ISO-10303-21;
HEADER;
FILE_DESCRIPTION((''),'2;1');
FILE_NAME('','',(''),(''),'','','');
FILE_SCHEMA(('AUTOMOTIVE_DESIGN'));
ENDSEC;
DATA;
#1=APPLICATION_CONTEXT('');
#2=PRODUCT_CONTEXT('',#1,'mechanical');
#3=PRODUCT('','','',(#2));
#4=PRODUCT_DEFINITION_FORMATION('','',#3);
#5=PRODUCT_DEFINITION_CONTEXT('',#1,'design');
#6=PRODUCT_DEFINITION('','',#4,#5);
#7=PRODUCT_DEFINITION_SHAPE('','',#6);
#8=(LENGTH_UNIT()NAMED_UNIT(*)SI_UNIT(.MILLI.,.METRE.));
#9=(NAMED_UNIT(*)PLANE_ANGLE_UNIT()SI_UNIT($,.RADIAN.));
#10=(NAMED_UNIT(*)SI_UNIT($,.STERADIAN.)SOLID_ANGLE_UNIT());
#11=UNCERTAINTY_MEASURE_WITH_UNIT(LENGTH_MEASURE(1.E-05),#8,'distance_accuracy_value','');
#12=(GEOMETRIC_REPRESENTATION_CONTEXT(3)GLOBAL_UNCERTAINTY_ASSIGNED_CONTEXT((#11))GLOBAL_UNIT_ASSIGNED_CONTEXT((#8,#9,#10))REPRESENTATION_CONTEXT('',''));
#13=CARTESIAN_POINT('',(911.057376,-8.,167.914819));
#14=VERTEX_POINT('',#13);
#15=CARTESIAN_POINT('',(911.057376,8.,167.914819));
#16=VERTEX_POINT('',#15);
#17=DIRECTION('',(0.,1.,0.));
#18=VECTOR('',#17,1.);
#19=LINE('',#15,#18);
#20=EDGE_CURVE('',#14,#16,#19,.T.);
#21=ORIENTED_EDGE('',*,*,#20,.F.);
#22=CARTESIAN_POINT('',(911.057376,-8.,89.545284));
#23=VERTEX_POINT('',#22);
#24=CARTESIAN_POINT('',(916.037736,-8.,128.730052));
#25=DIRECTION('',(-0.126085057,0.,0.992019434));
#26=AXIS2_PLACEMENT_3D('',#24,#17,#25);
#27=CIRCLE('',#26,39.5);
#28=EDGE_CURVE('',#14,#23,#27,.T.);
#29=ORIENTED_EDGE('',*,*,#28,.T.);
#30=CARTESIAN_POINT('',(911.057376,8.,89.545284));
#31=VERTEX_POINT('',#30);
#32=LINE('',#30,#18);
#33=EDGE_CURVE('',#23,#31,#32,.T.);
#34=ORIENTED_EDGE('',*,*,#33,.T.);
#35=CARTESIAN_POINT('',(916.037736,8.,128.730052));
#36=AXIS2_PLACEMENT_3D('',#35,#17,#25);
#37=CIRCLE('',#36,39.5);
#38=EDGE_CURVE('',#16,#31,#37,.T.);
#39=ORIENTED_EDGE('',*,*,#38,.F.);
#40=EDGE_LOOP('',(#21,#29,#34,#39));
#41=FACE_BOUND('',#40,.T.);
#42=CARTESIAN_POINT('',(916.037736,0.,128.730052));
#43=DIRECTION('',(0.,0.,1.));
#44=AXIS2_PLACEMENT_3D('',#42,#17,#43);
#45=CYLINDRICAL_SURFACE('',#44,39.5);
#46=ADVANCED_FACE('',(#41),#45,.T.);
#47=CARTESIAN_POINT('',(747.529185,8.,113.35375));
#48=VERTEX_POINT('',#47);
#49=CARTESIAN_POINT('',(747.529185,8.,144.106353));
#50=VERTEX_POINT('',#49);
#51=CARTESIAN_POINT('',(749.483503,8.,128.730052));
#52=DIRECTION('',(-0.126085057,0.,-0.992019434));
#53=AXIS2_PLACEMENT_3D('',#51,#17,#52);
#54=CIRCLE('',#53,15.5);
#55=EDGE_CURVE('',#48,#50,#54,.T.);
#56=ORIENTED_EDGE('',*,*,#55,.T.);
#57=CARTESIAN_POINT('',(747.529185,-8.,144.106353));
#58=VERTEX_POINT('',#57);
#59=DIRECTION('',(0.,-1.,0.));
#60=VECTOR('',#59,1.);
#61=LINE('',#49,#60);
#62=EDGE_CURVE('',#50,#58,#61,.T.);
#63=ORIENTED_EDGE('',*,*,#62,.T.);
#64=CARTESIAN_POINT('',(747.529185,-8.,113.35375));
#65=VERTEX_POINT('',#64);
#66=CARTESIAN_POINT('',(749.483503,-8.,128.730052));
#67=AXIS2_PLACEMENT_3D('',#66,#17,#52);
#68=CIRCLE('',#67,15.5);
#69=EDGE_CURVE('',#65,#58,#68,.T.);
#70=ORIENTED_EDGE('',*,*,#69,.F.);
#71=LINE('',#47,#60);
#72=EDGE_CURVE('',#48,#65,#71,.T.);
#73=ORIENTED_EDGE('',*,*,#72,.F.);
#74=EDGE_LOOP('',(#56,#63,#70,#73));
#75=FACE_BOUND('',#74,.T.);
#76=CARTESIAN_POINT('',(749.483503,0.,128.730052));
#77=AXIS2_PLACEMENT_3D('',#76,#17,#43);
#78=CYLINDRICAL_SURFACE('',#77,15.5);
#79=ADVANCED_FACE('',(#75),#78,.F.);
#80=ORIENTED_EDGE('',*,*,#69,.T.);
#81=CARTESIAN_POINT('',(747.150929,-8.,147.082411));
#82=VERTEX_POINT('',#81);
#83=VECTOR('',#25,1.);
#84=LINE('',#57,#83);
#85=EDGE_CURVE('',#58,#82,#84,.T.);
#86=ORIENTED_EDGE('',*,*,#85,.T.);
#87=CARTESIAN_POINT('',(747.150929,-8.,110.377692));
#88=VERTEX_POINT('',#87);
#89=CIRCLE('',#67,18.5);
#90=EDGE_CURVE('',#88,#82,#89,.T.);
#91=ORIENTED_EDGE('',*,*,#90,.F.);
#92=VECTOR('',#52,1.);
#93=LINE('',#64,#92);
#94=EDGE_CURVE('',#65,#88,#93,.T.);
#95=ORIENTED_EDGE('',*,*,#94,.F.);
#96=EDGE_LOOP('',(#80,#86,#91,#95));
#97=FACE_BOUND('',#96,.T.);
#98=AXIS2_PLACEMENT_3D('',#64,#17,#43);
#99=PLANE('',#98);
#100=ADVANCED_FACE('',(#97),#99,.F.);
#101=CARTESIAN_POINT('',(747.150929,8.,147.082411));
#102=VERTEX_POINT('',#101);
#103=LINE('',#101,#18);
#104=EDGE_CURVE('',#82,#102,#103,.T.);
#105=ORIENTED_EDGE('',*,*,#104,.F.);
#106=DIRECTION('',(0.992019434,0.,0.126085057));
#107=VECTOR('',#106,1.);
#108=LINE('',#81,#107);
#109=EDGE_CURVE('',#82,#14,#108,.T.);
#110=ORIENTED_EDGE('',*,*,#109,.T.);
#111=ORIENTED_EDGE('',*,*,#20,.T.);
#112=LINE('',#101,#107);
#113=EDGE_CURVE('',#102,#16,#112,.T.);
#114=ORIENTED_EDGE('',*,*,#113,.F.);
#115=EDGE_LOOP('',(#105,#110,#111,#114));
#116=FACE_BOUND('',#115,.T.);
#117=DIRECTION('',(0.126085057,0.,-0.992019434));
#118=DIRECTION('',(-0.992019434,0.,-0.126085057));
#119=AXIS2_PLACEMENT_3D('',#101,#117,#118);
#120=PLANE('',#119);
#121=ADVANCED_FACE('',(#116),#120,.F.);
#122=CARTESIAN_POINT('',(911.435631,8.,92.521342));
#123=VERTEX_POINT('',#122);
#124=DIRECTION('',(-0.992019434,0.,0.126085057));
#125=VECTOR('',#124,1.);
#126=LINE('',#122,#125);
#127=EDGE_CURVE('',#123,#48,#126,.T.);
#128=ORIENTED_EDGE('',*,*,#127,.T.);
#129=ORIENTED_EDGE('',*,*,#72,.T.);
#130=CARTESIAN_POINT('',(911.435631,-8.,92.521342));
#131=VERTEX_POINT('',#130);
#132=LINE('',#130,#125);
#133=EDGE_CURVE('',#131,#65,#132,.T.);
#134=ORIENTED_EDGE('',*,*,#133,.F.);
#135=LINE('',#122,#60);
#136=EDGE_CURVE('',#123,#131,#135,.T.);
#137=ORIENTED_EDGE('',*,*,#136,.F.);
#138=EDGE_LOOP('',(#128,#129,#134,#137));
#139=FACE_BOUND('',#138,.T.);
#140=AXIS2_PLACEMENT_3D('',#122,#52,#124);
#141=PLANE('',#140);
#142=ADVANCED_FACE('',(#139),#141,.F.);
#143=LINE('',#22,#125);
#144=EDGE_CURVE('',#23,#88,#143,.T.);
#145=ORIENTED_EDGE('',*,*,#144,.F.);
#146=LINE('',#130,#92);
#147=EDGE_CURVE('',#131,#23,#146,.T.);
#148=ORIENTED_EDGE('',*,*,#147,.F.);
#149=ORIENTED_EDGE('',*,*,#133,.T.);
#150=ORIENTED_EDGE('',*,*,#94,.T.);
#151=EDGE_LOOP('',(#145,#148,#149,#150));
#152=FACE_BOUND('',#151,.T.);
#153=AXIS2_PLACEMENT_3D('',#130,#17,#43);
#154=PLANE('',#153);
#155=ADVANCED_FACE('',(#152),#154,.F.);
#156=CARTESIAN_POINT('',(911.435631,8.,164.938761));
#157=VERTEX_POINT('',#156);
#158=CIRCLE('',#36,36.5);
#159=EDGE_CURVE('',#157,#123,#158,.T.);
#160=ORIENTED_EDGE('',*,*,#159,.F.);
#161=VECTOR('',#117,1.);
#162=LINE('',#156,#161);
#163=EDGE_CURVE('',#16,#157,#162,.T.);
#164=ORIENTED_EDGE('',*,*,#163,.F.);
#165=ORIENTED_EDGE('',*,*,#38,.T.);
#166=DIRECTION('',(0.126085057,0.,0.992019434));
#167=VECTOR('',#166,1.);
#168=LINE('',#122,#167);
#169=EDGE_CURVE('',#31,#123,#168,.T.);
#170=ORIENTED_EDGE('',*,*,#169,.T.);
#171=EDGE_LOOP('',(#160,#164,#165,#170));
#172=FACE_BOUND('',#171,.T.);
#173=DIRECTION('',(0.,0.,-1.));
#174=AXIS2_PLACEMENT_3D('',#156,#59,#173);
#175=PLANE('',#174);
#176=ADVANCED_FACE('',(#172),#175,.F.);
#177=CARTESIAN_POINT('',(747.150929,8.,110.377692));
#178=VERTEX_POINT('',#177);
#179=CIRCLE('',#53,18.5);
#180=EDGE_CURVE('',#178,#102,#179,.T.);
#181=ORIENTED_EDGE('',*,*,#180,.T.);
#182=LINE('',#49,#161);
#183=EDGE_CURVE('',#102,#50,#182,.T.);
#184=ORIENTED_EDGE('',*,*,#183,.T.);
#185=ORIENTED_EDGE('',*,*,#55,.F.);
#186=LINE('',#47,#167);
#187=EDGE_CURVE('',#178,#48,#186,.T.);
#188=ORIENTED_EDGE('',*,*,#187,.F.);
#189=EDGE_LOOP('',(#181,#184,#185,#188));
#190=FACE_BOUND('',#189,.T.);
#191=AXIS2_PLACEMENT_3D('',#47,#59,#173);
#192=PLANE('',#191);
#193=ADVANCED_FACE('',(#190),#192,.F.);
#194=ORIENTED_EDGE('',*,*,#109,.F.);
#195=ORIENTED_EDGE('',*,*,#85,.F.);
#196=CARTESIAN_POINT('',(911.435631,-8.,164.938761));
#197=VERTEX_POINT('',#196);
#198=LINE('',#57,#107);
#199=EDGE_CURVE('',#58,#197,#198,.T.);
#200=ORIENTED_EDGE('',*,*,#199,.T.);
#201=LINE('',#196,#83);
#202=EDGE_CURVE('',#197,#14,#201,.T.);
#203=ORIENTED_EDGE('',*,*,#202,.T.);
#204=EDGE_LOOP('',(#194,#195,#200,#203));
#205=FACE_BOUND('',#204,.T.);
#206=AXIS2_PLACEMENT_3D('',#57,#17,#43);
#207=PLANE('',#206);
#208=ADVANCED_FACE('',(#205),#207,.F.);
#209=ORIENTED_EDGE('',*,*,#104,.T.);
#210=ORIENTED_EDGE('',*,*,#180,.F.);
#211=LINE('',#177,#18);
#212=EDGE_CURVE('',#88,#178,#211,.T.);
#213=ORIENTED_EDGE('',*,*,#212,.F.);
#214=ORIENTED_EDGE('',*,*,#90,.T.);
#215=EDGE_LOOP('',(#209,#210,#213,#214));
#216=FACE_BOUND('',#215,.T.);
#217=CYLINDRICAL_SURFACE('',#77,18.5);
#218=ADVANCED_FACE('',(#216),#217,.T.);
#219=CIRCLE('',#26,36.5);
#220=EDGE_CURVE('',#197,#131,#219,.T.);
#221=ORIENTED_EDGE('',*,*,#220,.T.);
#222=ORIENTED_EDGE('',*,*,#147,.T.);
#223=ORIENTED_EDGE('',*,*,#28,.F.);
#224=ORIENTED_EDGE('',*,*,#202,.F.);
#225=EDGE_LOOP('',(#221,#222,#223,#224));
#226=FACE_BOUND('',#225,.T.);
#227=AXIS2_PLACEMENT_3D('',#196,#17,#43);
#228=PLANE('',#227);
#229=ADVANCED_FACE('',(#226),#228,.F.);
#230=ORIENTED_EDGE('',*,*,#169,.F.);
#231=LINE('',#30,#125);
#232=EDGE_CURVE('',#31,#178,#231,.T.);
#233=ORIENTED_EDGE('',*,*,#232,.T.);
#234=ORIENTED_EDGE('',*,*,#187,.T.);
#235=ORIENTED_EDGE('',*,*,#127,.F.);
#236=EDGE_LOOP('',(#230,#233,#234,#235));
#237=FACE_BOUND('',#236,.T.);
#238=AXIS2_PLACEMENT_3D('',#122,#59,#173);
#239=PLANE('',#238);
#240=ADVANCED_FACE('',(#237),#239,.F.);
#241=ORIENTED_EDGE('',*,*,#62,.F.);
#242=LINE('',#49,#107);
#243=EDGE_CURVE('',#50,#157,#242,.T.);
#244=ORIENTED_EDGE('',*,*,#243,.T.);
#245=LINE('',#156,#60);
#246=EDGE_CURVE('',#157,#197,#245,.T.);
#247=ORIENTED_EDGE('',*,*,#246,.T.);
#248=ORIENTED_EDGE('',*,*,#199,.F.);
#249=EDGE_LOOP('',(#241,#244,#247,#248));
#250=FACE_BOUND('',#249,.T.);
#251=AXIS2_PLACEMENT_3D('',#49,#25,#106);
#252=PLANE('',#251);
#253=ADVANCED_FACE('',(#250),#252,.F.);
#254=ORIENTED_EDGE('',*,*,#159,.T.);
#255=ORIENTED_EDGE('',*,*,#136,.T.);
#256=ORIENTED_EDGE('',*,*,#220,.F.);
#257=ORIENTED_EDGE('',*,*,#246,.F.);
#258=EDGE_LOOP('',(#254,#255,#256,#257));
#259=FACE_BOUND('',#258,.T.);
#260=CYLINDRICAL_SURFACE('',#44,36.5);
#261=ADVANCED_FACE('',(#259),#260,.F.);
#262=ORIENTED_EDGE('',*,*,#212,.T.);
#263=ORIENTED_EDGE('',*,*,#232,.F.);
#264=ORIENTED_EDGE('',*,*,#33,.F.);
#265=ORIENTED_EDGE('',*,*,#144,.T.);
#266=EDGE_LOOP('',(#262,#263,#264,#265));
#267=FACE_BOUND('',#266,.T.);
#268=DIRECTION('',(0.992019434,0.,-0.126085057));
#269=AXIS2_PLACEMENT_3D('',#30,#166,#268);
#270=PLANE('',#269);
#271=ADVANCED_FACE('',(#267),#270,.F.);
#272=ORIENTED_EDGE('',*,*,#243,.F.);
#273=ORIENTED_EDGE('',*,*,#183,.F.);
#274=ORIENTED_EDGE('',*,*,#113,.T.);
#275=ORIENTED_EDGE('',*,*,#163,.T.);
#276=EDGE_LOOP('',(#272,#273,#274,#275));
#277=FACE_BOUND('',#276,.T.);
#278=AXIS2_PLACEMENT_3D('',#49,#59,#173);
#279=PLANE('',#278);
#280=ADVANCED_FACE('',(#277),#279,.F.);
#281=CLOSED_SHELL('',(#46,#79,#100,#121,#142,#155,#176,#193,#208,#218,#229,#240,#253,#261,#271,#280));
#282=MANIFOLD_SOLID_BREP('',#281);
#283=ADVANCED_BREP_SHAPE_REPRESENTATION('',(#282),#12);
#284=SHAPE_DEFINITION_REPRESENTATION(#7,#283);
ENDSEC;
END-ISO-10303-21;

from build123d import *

# Parameters (mm, degrees)
SKETCH2_W = 3
SKETCH2_H = 16


with BuildPart() as part:
    # Sweep1: sweep along a path in Sketch1
    with BuildLine(Plane(origin=(0, 0, 0), x_dir=(1, 0, 0), z_dir=(0, 1, 0))) as sweep1_path:
        Line((911.246503705, -166.426790126), (747.340056999, -145.594382002))
        ThreePointArc((747.340056999, -145.594382002), (732.483502973, -128.730051617), (747.340056999, -111.865721231))
        Line((747.340056999, -111.865721231), (911.246503705, -91.033313108))
        ThreePointArc((911.246503705, -91.033313108), (954.037735883, -128.730051617), (911.246503705, -166.426790126))
    # Sketch2 → Sweep1 (sweep)
    with BuildSketch(Plane(origin=(911.246503705, 0, 91.033313108), x_dir=(-0.1260850573004516, 0, -0.9920194344495182), z_dir=(0.9920194344495182, 0, -0.1260850573004516))):
        Rectangle(SKETCH2_W, SKETCH2_H)
    sweep(path=sweep1_path.line)


solid = part.part
